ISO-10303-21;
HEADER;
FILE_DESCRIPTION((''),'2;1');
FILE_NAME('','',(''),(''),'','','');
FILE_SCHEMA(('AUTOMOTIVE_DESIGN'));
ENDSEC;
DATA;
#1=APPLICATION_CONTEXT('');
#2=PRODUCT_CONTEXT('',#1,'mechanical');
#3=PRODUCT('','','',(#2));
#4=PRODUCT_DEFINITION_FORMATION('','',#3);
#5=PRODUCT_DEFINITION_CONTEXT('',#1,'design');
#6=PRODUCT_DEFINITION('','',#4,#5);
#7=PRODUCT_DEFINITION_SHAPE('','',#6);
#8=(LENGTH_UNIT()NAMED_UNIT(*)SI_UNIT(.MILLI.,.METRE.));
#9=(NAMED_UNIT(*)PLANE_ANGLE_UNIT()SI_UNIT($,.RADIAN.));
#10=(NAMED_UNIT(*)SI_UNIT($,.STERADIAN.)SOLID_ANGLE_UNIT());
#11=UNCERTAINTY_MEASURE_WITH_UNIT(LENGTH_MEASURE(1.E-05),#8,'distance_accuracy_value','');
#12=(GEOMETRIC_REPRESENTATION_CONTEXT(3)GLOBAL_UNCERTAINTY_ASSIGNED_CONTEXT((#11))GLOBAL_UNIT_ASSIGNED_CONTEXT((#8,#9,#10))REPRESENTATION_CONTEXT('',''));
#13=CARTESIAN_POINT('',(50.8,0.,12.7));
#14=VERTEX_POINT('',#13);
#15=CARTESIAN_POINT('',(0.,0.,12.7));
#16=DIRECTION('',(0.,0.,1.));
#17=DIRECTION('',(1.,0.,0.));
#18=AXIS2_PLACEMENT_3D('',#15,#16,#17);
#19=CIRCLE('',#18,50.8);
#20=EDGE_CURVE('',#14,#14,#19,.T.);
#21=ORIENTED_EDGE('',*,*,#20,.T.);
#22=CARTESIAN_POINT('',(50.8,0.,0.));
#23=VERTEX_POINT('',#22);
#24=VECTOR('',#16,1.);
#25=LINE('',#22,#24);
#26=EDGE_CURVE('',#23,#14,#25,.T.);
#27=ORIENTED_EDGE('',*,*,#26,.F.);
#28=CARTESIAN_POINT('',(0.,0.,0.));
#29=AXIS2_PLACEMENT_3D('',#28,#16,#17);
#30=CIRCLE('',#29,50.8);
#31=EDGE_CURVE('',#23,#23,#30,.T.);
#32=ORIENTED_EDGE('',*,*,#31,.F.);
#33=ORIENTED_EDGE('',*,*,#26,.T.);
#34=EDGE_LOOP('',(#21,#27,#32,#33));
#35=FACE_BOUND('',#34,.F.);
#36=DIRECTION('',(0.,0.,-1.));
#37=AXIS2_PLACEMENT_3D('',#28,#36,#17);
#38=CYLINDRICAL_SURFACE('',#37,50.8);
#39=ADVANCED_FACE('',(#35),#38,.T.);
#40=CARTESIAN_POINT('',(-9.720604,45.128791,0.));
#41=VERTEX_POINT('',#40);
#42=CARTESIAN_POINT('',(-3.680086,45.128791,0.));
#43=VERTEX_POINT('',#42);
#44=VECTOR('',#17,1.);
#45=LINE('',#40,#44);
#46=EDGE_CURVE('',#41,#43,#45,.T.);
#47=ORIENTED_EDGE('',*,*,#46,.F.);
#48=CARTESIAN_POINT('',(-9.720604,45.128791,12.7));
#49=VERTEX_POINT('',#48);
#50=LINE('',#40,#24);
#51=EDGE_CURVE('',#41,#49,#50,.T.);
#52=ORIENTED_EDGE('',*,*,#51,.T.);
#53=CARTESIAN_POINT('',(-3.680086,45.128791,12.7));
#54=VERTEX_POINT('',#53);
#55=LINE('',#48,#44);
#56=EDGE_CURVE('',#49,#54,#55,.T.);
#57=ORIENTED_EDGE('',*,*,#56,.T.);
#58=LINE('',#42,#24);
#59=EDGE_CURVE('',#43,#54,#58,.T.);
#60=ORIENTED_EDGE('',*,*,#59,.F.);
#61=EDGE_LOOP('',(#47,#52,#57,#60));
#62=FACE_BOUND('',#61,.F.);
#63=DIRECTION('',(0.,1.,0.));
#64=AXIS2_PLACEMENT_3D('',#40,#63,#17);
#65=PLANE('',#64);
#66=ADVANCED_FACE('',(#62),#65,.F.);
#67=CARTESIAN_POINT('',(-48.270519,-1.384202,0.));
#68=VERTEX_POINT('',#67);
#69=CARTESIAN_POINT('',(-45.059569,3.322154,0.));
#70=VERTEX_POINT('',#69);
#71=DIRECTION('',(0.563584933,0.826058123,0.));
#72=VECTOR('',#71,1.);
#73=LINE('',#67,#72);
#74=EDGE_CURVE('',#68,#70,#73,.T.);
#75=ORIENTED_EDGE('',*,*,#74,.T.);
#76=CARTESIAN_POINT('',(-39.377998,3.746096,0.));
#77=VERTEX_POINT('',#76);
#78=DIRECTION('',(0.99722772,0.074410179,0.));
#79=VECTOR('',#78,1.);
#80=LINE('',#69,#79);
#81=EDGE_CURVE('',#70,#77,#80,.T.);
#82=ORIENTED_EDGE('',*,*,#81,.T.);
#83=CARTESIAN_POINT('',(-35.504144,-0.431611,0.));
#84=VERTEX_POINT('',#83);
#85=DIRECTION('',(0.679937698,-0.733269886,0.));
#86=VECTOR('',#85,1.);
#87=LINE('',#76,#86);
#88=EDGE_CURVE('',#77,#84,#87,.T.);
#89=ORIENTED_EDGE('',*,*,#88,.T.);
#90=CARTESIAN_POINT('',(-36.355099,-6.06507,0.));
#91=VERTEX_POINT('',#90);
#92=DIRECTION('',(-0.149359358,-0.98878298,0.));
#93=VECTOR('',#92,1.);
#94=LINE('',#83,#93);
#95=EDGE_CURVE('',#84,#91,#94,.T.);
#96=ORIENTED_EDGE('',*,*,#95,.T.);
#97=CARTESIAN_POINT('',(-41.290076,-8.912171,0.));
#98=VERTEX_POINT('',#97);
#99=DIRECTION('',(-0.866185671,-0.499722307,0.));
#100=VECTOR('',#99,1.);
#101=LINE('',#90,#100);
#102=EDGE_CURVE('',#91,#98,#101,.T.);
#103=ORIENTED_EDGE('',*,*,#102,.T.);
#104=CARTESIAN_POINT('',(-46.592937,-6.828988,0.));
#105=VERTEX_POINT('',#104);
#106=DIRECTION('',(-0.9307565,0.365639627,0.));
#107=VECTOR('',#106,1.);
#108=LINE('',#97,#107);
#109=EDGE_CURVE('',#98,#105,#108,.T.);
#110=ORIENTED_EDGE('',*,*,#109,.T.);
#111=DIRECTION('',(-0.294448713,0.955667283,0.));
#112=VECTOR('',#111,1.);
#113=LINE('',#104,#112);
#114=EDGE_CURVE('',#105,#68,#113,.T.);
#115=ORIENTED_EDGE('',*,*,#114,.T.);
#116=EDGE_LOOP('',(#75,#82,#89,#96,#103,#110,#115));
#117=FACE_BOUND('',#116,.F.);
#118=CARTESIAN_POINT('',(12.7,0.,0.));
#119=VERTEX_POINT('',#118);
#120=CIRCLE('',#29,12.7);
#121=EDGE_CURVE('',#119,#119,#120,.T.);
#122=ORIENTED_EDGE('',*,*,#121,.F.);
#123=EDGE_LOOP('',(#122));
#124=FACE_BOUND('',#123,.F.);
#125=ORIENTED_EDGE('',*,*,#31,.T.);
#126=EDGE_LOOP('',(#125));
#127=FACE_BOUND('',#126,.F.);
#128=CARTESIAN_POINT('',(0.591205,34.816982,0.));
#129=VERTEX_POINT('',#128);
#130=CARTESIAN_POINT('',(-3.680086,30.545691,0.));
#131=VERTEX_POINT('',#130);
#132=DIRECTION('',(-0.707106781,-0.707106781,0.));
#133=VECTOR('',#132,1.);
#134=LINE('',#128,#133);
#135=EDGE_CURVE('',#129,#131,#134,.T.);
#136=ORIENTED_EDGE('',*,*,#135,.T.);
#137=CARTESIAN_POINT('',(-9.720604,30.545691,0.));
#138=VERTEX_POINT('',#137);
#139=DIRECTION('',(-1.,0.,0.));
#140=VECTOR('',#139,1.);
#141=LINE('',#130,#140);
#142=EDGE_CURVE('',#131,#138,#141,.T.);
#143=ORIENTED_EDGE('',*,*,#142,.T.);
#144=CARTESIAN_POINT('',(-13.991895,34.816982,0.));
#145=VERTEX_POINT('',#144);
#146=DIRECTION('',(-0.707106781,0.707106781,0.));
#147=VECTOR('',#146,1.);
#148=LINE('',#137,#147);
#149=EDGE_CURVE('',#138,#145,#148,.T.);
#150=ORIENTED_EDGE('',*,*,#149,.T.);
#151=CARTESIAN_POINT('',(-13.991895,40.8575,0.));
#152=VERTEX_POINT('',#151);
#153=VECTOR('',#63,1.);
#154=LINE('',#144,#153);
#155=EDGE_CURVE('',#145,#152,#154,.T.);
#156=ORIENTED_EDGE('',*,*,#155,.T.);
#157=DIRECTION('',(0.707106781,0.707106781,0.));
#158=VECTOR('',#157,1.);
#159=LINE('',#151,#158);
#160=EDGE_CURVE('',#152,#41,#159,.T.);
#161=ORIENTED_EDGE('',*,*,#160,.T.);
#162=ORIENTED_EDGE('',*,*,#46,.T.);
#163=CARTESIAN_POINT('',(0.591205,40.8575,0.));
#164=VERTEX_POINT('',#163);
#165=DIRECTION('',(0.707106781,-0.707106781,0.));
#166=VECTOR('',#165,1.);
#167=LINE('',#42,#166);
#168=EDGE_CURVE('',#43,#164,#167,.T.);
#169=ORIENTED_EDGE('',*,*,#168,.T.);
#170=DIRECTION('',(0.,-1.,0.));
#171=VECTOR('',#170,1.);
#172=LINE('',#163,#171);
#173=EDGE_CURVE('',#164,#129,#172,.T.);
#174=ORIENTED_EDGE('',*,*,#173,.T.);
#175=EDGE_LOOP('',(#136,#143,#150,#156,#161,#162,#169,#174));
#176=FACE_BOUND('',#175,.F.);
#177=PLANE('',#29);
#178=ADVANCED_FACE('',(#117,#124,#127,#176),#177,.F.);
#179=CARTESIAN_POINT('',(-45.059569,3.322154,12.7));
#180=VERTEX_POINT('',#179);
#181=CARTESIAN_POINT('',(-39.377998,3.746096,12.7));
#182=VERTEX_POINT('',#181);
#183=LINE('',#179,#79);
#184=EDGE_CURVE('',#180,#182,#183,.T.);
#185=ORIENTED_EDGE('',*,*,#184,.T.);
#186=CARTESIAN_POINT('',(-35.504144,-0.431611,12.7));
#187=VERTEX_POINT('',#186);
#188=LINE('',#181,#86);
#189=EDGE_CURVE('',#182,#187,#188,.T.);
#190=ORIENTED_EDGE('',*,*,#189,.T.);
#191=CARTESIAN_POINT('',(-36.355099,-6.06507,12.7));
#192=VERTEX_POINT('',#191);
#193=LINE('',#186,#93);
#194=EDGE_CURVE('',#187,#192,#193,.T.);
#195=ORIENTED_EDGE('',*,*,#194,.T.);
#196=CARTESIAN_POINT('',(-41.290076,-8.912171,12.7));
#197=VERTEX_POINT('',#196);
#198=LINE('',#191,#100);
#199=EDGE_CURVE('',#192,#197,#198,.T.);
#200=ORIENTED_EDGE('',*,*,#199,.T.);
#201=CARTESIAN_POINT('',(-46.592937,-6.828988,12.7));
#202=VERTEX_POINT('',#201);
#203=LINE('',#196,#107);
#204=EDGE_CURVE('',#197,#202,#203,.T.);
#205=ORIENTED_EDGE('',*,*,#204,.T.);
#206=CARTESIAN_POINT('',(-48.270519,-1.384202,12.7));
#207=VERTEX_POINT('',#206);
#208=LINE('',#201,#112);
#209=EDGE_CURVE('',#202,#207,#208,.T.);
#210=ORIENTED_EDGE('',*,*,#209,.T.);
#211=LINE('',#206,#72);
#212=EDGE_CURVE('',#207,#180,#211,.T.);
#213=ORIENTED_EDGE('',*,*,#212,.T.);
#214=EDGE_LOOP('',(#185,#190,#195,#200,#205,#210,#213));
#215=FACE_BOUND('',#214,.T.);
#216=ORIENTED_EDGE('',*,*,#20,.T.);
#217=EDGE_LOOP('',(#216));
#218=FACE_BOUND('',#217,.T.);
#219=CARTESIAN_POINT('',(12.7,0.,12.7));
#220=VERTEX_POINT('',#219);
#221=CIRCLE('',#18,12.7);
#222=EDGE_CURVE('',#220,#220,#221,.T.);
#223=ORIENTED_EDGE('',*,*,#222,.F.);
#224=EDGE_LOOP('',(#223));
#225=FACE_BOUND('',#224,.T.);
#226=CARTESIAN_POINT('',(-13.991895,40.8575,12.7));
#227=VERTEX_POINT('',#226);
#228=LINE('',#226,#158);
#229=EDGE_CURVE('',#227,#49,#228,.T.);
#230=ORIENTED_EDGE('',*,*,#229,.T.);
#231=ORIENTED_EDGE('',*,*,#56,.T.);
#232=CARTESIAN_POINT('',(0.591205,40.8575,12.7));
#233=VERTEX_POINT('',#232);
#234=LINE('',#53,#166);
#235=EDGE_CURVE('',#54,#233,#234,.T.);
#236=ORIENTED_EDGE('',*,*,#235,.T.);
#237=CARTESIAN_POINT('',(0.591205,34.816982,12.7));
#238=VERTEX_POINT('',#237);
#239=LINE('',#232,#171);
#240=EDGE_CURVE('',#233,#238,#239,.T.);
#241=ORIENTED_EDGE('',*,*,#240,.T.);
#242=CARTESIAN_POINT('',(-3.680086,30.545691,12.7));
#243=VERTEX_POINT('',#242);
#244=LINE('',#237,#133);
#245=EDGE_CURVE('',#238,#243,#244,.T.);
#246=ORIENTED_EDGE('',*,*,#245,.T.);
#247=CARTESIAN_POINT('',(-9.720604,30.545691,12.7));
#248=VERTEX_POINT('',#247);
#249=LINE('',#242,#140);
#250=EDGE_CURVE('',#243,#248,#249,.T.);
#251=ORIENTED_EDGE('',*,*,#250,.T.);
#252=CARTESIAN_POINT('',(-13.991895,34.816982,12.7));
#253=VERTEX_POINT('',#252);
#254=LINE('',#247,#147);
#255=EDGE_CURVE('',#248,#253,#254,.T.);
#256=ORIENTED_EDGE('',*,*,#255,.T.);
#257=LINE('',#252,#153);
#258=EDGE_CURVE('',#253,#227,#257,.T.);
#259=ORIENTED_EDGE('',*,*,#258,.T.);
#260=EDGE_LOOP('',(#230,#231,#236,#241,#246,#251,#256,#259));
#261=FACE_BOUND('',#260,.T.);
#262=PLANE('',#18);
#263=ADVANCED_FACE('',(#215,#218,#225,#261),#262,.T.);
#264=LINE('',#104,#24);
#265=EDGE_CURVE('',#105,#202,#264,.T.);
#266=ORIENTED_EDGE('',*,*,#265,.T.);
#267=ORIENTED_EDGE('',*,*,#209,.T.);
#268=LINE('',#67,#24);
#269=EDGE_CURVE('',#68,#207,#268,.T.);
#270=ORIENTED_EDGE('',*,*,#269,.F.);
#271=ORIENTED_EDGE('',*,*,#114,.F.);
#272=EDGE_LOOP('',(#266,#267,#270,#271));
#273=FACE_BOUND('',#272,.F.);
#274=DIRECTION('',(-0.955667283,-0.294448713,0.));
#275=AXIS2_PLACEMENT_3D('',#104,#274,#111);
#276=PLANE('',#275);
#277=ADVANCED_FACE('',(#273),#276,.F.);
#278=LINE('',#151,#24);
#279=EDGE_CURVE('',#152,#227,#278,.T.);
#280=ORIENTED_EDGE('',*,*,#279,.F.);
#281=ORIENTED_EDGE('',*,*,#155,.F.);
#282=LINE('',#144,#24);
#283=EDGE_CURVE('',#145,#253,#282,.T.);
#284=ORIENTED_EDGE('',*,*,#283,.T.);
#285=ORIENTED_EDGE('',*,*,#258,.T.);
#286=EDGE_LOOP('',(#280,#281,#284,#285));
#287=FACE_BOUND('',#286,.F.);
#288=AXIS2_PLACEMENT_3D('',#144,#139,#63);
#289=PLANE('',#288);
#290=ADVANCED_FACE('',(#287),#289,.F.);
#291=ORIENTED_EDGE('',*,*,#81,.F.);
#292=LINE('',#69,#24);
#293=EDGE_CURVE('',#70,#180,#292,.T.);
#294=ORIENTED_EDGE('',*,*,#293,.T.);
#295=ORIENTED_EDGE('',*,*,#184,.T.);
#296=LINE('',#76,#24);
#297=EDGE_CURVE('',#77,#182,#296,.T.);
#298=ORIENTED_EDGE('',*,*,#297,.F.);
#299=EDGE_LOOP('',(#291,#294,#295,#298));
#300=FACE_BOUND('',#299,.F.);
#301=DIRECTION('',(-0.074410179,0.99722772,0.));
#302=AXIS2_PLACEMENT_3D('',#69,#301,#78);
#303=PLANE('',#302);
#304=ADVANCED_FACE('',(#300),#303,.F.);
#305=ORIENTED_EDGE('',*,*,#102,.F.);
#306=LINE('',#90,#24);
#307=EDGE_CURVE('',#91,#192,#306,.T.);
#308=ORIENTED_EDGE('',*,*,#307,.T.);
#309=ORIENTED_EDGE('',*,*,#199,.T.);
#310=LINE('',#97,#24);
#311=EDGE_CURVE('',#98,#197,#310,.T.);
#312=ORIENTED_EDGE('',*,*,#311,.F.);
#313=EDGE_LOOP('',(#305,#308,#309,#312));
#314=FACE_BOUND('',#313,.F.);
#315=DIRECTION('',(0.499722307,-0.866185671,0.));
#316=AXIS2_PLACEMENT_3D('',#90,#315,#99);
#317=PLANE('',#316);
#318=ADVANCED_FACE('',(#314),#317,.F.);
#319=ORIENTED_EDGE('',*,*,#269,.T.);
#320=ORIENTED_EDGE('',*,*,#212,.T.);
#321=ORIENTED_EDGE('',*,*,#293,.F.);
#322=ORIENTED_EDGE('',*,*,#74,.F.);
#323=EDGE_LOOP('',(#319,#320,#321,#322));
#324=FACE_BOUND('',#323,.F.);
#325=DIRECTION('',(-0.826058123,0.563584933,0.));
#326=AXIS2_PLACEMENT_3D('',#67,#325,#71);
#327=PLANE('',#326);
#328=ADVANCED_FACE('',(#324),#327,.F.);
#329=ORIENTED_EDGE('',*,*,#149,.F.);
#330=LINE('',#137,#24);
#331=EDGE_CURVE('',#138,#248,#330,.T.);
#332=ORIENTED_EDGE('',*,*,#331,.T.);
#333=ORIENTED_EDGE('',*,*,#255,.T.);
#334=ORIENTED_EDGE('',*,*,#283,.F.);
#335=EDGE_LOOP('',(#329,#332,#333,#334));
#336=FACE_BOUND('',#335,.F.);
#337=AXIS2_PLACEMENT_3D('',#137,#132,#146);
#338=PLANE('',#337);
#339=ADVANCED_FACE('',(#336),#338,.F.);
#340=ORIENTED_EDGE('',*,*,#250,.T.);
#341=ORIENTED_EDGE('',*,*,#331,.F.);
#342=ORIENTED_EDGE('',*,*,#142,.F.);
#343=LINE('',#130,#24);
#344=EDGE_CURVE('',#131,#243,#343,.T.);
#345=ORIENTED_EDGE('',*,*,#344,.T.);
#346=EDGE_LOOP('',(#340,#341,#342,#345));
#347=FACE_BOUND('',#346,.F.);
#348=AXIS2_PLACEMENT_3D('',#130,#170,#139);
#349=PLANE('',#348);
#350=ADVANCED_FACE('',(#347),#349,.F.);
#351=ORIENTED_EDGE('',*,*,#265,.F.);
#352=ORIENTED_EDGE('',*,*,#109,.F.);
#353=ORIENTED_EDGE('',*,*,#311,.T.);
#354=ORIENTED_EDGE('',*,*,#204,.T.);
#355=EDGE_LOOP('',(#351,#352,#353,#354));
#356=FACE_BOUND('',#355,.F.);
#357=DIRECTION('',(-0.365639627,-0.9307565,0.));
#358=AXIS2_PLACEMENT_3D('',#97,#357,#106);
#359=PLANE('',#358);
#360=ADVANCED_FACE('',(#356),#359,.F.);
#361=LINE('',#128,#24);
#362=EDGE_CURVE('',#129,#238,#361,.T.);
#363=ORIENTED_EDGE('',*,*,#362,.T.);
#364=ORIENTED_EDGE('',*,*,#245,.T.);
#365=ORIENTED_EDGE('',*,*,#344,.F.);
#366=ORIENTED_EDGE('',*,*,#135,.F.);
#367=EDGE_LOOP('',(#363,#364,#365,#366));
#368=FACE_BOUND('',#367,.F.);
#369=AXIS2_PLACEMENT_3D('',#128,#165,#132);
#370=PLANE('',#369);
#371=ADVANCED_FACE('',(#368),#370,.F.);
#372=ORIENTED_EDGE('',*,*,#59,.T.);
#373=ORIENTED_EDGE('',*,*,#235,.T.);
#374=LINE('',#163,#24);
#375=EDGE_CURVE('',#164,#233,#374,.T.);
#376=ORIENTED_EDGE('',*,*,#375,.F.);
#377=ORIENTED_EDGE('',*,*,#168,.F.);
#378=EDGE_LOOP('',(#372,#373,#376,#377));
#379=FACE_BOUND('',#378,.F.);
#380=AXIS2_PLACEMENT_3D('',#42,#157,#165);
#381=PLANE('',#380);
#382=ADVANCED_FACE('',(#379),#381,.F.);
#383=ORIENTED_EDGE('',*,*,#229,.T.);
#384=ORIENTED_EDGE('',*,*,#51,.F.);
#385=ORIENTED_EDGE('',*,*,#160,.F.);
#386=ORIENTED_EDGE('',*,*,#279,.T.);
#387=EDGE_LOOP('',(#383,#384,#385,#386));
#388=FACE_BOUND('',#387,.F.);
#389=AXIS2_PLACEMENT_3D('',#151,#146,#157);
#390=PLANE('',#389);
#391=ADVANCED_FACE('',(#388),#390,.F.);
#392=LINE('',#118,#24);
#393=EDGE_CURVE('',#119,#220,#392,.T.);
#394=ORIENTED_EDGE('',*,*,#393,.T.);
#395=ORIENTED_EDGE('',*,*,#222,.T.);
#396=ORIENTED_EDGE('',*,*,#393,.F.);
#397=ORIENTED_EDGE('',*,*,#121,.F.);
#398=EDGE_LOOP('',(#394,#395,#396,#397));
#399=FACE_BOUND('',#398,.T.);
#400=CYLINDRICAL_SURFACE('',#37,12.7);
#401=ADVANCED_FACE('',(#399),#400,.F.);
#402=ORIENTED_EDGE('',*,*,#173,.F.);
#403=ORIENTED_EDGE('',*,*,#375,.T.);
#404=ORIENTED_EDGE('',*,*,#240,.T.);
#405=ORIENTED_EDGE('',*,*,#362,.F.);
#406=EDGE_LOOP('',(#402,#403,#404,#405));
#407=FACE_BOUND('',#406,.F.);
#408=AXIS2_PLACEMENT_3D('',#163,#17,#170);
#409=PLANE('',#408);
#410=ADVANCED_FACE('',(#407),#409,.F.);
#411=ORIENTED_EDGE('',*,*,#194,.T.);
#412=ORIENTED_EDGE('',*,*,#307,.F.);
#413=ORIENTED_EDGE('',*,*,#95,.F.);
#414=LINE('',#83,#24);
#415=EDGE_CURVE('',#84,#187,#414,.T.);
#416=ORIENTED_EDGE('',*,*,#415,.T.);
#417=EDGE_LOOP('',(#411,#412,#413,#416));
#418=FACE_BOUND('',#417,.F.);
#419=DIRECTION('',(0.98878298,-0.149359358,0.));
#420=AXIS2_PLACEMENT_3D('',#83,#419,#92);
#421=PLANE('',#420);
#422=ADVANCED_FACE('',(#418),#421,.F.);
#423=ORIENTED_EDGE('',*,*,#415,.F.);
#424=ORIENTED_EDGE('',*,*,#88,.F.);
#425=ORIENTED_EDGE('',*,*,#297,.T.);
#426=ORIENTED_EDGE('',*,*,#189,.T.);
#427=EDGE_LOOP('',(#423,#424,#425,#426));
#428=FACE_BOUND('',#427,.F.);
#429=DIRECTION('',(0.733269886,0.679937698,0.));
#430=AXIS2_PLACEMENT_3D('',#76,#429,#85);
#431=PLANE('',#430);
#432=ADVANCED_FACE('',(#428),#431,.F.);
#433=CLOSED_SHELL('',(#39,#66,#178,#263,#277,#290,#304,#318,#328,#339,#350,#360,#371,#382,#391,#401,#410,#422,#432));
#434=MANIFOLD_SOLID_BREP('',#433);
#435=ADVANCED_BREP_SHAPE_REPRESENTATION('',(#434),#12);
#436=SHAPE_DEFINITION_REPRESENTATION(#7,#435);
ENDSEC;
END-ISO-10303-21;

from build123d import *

# Parameters (mm, degrees)
F0_R     = 50.8
F0_R_2   = 12.7
F1_DEPTH = 12.7


with BuildPart() as f1:
    # F0 (on Top) → F1 (new body)
    with BuildSketch(Plane.XY):
        Circle(F0_R)
        Polygon((-35.504144, -0.431611), (-36.355099, -6.06507), (-41.290076, -8.912171), (-46.592937, -6.828988), (-48.270519, -1.384202), (-45.059569, 3.322154), (-39.377998, 3.746096), align=None, mode=Mode.SUBTRACT)
        Circle(F0_R_2, mode=Mode.SUBTRACT)
        Polygon((0.591205, 34.816982), (-3.680086, 30.545691), (-9.720604, 30.545691), (-13.991895, 34.816982), (-13.991895, 40.8575), (-9.720604, 45.128791), (-3.680086, 45.128791), (0.591205, 40.8575), align=None, mode=Mode.SUBTRACT)
    extrude(amount=F1_DEPTH)


solid = f1.part
